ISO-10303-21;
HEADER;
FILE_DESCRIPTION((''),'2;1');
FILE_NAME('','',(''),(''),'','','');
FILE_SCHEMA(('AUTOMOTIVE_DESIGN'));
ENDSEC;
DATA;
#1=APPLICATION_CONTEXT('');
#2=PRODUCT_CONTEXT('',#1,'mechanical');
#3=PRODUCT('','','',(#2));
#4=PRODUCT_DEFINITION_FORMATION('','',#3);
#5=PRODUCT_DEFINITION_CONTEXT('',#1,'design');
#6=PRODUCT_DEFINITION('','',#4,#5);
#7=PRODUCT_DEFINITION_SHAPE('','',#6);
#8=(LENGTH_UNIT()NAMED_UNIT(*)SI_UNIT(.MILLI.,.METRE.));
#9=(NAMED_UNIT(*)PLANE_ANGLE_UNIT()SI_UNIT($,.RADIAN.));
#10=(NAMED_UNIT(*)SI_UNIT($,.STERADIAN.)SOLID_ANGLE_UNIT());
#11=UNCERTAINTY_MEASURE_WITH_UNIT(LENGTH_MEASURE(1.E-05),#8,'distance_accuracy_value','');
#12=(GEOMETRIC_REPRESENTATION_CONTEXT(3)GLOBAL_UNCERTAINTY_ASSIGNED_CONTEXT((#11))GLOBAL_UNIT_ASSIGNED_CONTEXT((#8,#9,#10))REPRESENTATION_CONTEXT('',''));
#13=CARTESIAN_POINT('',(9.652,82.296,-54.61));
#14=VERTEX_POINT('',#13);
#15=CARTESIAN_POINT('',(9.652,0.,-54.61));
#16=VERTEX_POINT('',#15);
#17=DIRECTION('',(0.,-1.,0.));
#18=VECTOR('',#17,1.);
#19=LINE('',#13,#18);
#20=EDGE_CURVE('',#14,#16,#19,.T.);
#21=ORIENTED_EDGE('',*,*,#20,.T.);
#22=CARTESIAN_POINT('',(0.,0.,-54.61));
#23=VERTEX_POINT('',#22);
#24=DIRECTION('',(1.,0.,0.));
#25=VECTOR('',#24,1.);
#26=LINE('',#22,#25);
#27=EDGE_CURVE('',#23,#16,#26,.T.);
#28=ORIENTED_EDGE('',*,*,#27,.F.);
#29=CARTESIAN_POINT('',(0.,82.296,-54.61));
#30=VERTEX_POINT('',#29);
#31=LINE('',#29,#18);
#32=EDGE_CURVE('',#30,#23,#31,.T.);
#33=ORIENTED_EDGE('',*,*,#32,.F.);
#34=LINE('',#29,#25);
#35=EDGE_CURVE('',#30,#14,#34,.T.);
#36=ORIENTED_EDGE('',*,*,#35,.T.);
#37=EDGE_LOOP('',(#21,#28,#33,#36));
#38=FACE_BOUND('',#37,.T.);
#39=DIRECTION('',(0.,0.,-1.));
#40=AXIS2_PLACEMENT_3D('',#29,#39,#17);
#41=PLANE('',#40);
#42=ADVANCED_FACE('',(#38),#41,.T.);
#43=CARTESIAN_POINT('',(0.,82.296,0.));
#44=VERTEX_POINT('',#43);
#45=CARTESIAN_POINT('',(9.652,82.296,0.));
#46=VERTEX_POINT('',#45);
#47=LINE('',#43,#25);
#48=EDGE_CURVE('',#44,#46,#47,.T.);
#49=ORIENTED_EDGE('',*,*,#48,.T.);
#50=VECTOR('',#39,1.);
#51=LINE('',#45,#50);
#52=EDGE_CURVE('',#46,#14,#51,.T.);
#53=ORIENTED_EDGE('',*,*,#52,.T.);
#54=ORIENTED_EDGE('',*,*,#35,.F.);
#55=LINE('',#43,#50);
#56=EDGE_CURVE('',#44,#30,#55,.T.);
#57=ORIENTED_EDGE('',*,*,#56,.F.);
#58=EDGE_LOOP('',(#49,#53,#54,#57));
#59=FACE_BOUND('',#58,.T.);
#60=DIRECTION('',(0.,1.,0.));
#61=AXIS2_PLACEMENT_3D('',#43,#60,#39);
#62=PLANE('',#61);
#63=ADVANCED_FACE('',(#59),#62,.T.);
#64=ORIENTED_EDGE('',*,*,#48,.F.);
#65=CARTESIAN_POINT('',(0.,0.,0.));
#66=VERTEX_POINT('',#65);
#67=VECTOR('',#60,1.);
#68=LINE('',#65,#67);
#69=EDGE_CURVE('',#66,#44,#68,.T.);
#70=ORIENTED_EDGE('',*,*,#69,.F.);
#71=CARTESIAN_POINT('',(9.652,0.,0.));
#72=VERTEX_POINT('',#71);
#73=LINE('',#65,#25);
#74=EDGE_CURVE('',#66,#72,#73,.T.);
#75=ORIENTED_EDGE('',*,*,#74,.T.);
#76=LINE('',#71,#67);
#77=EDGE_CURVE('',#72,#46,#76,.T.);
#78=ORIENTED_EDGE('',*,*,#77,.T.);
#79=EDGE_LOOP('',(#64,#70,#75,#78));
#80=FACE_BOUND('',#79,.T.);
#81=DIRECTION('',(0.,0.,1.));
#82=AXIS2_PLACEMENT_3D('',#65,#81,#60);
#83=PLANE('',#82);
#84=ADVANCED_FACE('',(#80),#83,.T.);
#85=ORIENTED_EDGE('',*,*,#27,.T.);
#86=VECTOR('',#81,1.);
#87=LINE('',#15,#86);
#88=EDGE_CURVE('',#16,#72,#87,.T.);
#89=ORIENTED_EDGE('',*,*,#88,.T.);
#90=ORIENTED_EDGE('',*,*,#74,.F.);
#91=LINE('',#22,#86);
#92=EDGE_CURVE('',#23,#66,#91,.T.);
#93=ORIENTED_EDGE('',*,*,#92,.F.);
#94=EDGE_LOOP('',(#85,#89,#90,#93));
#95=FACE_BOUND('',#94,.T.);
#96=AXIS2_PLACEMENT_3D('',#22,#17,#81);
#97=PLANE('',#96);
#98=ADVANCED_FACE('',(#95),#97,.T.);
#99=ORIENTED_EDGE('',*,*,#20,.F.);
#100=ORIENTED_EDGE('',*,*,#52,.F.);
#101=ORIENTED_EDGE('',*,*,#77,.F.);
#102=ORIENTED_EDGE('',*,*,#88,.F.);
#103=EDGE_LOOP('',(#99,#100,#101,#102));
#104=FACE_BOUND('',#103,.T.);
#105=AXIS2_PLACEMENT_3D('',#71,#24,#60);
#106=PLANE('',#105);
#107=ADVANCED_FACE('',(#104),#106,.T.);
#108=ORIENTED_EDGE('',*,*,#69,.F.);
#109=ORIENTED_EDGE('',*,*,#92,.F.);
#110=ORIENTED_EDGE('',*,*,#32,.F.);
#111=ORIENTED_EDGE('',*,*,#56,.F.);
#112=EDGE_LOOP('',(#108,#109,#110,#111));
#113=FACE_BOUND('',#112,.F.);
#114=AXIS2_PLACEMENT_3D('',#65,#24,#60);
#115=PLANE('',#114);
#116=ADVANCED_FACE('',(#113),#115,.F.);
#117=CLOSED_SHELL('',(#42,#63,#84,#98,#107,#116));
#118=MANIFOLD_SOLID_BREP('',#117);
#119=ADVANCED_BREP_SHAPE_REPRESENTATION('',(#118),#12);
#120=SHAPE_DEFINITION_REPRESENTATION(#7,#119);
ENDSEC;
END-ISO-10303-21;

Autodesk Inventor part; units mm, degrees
ref_plane "YZ Plane" through (0, 0, 0) normal (1, 0, 0) x (0, 1, 0)
ref_plane "XZ Plane" through (0, 0, 0) normal (0, 1, 0) x (-1, 0, 0)
ref_plane "XY Plane" through (0, 0, 0) normal (0, 0, 1) x (1, 0, 0)
sketch "Sketch1" plane through (0, 0, 0) normal (1, 0, 0) x (0, 1, 0)
  line L0 (0, 0) -> (82.296, 0)
  line L1 (82.296, 0) -> (82.296, -54.61)
  line L2 (82.296, -54.61) -> (0, -54.61)
  line L3 (0, -54.61) -> (0, 0)
  dimension "d0" = 82.296
  dimension "d1" = 54.61
extrude "Extrusion1" add sketch "Sketch1" along normal blind 9.652
properties part number "msheehan_small_breadboard"
